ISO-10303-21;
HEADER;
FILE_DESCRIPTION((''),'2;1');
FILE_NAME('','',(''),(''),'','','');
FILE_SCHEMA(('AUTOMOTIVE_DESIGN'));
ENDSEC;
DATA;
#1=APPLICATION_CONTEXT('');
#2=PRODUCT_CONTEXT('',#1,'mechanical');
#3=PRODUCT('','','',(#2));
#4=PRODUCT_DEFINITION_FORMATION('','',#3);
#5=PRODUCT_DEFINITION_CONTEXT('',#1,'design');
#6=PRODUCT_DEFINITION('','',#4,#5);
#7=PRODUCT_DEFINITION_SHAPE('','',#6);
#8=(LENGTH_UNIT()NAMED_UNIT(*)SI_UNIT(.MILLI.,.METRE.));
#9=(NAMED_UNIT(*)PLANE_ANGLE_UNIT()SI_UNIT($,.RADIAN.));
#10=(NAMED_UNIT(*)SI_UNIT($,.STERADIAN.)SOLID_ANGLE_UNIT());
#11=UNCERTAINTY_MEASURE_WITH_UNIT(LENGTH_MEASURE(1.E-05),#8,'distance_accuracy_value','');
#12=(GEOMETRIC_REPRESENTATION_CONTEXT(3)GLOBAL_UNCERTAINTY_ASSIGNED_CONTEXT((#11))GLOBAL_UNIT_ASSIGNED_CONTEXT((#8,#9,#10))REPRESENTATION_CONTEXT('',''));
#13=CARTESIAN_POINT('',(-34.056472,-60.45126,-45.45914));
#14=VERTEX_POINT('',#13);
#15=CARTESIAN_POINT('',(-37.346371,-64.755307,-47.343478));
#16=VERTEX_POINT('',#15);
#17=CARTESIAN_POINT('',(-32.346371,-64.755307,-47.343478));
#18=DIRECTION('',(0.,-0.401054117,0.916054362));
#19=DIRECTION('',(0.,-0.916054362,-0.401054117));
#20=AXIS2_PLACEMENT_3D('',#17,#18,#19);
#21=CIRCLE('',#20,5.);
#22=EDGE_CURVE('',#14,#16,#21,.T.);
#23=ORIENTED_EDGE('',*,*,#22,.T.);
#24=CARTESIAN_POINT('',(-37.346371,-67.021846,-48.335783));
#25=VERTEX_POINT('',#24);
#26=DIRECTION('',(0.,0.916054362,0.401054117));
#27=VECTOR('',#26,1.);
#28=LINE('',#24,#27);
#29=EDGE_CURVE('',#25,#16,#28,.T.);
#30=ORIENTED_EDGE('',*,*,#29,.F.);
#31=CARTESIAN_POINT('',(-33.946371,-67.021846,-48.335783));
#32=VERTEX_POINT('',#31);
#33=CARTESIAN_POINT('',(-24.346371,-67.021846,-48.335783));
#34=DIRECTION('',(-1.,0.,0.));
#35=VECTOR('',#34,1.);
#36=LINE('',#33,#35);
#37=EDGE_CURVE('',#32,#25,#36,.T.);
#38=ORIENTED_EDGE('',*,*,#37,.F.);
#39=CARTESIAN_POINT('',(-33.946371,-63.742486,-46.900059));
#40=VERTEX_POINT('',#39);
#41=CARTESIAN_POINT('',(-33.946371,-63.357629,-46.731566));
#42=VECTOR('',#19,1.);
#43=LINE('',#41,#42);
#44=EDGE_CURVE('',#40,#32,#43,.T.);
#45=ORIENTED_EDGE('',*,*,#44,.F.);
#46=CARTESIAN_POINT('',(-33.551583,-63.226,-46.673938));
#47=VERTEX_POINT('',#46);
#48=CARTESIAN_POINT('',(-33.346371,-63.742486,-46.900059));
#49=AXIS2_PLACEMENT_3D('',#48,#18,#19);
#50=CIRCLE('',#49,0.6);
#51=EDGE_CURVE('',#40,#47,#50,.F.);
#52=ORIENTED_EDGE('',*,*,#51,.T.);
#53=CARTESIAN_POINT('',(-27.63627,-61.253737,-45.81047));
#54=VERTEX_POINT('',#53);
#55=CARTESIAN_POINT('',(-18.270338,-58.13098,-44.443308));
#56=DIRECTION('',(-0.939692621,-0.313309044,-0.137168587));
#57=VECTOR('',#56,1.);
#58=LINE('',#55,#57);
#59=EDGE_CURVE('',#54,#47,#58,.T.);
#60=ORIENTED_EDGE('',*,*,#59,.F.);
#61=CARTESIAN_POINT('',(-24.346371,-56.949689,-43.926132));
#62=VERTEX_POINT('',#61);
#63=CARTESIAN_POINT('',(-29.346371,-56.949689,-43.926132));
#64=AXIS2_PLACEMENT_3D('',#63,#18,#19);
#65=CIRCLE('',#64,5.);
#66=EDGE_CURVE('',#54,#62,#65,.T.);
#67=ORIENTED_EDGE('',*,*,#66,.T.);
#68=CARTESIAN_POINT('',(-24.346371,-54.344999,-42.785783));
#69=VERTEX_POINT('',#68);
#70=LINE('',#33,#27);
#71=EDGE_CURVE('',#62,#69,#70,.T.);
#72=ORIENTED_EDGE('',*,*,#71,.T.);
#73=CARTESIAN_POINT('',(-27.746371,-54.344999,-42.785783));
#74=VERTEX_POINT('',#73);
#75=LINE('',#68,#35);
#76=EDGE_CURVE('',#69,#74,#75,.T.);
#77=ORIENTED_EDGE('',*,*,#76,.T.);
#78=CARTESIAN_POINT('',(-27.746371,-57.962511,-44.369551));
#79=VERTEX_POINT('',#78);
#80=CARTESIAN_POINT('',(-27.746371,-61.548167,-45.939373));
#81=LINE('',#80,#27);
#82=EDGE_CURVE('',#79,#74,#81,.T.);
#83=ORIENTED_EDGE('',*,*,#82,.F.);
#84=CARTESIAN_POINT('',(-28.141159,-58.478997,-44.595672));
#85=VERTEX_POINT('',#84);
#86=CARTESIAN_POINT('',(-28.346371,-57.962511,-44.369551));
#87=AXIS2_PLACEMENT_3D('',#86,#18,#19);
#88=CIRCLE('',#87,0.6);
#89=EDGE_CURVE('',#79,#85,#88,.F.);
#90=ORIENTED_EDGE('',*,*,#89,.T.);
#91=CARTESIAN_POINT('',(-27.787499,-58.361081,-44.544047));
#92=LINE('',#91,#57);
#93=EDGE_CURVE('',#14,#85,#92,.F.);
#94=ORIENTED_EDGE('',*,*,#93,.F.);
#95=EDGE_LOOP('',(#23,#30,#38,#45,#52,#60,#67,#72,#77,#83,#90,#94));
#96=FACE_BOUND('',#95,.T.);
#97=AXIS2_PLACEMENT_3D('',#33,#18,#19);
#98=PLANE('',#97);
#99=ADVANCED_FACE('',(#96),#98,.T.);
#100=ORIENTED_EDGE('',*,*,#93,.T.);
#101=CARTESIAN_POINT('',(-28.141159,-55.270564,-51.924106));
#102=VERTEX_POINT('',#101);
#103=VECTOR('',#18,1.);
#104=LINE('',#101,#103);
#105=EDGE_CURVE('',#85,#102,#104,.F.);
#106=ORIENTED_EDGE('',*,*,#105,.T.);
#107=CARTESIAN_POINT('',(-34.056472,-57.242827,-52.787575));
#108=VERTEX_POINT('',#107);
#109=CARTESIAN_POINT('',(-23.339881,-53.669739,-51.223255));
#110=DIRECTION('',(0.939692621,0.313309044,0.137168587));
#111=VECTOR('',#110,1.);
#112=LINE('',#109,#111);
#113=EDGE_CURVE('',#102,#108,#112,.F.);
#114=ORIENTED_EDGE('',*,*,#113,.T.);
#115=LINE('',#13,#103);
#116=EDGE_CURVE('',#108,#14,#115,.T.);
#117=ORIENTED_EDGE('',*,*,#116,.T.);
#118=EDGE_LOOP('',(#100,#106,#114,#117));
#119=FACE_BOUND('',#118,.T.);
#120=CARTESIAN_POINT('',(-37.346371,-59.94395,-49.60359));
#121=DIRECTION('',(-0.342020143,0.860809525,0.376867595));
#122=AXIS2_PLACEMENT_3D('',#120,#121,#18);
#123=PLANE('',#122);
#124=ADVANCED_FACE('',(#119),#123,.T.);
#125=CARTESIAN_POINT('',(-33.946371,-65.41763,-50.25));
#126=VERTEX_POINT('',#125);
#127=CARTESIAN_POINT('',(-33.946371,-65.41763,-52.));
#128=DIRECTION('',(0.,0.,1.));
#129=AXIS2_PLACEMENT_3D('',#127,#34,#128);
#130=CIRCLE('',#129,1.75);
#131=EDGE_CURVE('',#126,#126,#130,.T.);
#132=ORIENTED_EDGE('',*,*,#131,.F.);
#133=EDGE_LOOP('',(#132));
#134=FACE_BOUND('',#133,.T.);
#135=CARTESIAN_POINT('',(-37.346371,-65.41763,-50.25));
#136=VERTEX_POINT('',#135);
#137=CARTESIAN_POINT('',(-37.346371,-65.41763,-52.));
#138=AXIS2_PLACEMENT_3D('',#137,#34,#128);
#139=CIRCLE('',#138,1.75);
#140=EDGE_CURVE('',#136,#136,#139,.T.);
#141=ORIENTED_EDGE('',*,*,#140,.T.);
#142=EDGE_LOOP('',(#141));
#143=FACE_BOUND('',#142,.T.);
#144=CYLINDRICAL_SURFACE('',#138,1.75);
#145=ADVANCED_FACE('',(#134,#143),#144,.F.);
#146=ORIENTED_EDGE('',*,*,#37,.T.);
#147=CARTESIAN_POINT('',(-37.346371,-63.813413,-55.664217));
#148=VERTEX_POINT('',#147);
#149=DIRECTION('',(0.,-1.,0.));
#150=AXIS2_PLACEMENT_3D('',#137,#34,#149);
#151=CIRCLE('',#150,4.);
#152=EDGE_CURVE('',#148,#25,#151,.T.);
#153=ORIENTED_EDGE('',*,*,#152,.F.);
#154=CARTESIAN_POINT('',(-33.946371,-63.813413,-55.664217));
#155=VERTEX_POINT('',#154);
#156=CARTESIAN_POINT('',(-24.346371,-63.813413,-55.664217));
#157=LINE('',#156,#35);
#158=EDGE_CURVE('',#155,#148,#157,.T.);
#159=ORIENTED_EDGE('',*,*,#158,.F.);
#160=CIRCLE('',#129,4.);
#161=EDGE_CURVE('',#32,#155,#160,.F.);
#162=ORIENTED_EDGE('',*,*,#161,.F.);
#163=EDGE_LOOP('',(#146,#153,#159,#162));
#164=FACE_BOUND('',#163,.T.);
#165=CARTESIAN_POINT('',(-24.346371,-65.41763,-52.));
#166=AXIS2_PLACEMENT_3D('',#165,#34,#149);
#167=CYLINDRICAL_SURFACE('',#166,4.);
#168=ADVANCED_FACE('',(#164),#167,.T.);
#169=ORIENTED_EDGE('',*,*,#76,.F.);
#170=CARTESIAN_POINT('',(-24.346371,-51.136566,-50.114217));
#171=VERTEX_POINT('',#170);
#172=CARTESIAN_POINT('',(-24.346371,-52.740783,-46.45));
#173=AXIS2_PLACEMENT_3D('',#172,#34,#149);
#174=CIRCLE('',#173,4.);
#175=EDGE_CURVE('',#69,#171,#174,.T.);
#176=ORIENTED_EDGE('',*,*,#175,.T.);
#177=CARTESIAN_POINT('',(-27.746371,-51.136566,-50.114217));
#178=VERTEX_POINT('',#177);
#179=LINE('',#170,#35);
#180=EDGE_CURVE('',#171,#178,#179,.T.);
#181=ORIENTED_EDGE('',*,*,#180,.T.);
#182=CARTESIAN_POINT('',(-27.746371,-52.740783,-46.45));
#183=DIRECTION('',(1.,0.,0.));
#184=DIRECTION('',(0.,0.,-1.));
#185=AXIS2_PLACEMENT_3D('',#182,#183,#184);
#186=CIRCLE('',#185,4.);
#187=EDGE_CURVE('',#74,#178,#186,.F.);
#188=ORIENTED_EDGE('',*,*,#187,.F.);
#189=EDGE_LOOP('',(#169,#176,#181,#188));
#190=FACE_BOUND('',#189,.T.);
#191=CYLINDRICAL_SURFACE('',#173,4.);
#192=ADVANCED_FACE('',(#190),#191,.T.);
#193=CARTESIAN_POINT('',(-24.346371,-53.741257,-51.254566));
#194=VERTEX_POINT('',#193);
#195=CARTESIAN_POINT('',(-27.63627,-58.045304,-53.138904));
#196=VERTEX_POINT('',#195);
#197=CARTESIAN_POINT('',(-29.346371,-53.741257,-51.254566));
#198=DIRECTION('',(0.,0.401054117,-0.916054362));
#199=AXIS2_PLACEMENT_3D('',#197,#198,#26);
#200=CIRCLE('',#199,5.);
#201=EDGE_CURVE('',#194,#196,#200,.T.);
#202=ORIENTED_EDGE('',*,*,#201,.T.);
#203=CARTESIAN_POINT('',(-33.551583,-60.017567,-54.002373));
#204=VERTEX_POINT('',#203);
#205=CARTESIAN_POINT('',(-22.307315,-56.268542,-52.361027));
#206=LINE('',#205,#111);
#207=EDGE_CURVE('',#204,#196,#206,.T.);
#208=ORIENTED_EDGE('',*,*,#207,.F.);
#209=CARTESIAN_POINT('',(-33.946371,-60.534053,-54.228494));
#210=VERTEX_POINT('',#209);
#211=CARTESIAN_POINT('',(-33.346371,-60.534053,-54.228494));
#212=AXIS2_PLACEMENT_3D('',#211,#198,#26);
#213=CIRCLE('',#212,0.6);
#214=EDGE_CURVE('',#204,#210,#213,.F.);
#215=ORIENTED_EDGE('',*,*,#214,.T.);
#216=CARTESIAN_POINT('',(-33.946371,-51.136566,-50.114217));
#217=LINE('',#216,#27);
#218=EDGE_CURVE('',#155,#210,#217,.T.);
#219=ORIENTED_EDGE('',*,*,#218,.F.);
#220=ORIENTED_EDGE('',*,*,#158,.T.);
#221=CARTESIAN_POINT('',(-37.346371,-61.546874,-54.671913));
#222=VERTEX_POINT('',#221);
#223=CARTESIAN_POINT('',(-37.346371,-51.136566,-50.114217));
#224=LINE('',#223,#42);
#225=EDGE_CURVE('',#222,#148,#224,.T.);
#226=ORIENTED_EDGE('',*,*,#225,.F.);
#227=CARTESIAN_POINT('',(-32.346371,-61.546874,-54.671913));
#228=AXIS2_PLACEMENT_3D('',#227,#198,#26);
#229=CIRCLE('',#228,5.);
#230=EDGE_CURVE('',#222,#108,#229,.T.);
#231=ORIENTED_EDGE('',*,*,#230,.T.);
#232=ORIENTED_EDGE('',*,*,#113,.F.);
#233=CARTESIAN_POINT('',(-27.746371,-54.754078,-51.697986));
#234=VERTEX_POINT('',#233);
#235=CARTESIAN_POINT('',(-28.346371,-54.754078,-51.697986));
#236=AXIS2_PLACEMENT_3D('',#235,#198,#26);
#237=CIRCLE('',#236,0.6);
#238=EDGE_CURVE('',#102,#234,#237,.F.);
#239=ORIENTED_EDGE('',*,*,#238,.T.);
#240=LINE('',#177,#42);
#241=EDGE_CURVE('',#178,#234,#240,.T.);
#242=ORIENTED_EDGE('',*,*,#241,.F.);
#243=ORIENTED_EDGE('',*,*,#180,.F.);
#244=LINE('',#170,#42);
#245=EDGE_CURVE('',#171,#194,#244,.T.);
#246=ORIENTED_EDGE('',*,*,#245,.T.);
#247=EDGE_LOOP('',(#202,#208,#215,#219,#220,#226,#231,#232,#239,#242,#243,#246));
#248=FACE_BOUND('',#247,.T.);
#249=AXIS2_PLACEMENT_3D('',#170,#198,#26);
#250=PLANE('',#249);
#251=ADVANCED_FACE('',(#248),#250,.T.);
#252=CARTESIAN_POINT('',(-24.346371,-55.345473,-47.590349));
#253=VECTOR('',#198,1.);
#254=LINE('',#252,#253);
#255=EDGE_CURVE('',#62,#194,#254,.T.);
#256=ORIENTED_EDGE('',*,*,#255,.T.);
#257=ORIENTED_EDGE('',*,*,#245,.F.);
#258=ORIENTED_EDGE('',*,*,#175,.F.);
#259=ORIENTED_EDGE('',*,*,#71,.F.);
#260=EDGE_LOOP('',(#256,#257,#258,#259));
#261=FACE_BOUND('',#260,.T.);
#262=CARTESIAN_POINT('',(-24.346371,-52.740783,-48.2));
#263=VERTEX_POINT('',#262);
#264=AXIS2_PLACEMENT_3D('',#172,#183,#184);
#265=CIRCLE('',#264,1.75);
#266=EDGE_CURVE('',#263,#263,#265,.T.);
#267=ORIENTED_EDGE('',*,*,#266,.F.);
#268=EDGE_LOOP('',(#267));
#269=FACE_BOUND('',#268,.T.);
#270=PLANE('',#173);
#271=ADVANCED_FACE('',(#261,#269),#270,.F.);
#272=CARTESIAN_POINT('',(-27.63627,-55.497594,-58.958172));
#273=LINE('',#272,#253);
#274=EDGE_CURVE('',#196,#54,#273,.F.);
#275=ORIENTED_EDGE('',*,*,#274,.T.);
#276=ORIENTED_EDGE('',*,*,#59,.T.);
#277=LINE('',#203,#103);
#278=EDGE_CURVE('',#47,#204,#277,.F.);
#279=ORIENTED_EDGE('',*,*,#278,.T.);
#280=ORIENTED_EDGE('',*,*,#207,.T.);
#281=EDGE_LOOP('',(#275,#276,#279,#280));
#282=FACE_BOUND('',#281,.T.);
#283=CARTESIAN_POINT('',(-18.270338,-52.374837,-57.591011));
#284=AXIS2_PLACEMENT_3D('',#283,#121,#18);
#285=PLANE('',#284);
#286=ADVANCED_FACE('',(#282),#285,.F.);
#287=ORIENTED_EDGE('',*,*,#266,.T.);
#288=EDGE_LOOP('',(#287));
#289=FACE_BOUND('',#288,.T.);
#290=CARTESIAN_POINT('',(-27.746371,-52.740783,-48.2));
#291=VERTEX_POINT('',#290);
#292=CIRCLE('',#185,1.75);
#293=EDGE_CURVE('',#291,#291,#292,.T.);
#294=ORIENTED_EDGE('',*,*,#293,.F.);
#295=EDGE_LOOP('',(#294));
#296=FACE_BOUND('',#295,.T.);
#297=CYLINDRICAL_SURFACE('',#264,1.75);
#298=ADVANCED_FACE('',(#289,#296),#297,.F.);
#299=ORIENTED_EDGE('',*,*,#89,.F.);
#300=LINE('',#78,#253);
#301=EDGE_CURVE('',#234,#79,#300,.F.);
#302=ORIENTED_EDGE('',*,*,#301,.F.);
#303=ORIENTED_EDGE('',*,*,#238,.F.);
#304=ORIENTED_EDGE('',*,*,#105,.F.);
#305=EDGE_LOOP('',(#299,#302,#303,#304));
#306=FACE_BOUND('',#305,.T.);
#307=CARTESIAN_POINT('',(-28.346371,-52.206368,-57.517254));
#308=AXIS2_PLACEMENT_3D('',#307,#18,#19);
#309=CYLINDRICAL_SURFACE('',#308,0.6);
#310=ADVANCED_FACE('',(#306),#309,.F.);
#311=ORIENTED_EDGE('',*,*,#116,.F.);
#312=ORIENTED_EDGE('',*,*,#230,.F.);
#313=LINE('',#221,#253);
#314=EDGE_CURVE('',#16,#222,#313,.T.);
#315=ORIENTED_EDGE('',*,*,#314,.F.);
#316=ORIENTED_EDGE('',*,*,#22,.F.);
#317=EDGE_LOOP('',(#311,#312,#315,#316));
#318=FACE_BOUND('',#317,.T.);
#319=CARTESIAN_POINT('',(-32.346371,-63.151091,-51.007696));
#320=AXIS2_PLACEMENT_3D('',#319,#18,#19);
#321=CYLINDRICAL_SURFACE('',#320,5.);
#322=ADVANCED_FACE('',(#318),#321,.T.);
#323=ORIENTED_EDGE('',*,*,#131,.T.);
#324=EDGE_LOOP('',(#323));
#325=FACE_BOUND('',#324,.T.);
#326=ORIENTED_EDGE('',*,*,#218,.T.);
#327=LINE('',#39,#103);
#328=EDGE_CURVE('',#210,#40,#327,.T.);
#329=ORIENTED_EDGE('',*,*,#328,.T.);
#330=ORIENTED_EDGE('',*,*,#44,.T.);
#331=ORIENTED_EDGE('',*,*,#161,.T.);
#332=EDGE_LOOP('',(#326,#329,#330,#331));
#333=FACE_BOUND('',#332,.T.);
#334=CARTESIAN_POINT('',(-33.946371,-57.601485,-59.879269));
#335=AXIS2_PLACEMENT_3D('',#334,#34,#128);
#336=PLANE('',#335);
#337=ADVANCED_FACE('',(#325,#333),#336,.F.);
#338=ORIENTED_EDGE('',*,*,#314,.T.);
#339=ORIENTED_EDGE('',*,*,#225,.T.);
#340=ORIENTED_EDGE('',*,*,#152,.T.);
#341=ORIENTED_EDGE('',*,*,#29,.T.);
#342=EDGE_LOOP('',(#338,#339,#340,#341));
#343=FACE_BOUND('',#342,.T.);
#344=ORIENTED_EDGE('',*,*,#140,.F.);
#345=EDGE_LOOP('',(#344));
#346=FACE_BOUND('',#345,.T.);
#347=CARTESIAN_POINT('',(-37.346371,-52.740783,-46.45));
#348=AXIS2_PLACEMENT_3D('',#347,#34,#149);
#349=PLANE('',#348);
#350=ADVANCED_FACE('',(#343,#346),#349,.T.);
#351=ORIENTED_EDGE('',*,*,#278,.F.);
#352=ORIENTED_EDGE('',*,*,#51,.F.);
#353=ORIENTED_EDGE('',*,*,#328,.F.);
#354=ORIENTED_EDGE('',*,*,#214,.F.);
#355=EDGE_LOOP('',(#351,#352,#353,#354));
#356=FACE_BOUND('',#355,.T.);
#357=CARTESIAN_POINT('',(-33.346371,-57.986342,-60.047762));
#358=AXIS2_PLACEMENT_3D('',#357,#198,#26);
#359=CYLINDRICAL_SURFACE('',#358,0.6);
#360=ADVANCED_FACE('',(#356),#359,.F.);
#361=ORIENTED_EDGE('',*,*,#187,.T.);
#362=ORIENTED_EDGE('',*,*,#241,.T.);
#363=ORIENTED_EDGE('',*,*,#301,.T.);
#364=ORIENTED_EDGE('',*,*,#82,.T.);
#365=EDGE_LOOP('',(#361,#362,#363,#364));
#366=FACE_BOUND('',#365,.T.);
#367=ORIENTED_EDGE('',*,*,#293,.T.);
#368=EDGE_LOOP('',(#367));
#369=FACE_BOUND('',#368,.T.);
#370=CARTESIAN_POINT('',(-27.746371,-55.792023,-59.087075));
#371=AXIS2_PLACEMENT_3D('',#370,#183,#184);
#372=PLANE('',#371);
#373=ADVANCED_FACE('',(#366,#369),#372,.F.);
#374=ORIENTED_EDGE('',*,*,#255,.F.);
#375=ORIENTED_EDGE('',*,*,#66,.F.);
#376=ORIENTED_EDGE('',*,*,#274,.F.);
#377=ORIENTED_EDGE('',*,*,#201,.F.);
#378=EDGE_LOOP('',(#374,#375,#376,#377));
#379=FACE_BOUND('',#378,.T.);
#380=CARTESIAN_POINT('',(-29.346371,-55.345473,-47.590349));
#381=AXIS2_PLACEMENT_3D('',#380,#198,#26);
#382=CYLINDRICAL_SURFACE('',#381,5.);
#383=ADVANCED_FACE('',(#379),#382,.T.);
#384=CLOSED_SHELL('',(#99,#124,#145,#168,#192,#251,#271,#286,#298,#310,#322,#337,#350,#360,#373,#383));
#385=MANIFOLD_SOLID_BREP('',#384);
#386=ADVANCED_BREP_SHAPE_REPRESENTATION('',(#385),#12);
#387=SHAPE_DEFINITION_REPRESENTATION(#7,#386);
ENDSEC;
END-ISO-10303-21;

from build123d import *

# Parameters (mm, degrees)
BOSS_EXTRUDE1_DEPTH = 13
SKETCH2_W           = 9.6
SKETCH2_H           = 12.263448081
CUT_EXTRUDE1_DEPTH  = 94.999820378
DRAFT1_ANGLE        = 20
CUT_EXTRUDE2_DEPTH  = 94.999820378
HOLE1_D             = 3.5
HOLE2_D             = 3.5
FILLET1_R           = 0.6
FILLET2_R           = 5


with BuildPart() as part:
    # Sketch1 → Boss-Extrude1 (new body)
    with BuildSketch(Plane(origin=(-37.346370889, 0, 0), x_dir=(0, -1, 0), z_dir=(-1, 0, 0))):
        with BuildLine():
            Line((51.136566376, -50.11421745), (63.813413447, -55.66421745))
            ThreePointArc((63.813413447, -55.66421745), (69.081847366, -53.604216469), (67.021846385, -48.33578255))
            Line((67.021846385, -48.33578255), (54.344999314, -42.78578255))
            ThreePointArc((54.344999314, -42.78578255), (49.076565395, -44.845783531), (51.136566376, -50.11421745))
        make_face()
    extrude(amount=-BOSS_EXTRUDE1_DEPTH)

    # Sketch2 → Cut-Extrude1 (cut, through all)
    with BuildSketch(Plane(origin=(0, 6.977867205, -15.938262243), x_dir=(1, 0, 0), z_dir=(0, -0.4010541172489907, 0.9160543624903671))):
        with Locations((-32.546370889, -68.673916916)):
            Rectangle(SKETCH2_W, SKETCH2_H)
    extrude(amount=-CUT_EXTRUDE1_DEPTH, mode=Mode.SUBTRACT)

    # Draft1
    draft1_faces = [part.faces().sort_by_distance(p)[0] for p in [
        (-32.546370889, -59.943950062, -49.603589992),
    ]]
    draft(draft1_faces, Plane(origin=(-37.346370889, -52.740782845, -46.45), x_dir=(0, -1, 0), z_dir=(-1, 0, 0)), DRAFT1_ANGLE)

    # Sketch3 → Cut-Extrude2 (cut, through all)
    with BuildSketch(Plane(origin=(0, 6.977867205, -15.938262243), x_dir=(1, 0, 0), z_dir=(0, -0.4010541172489907, 0.9160543624903671))):
        Polygon((-18.270337706, -85.869129535), (-18.270337706, -71.075309896), (-33.946370889, -76.780919366), (-33.946370889, -85.869129535), align=None)
    extrude(amount=-CUT_EXTRUDE2_DEPTH, mode=Mode.SUBTRACT)

    # Hole1 (through all)
    with Locations(Plane.ZY.offset(37.346370889)):
        with Locations((-52, -65.417629916)):
            Hole(HOLE1_D / 2)

    # Hole2 (through all)
    with Locations(Plane(origin=(-24.346370889, 0, 0), x_dir=(0, 0, -1), z_dir=(1, 0, 0))):
        with Locations((46.45, -52.740782845)):
            Hole(HOLE2_D / 2)

    # Fillet1
    fillet1_edges = [part.edges().sort_by_distance(p)[0] for p in [
        (-27.746370889, -56.743151462, -48.202261087),
        (-33.946370889, -61.753412466, -50.395783531),
    ]]
    fillet(fillet1_edges, radius=FILLET1_R)

    # Fillet2
    fillet2_edges = [part.edges().sort_by_distance(p)[0] for p in [
        (-37.346370889, -59.943950062, -49.603589992),
        (-24.346370889, -58.552613866, -48.994454625),
    ]]
    fillet(fillet2_edges, radius=FILLET2_R)


solid = part.part
